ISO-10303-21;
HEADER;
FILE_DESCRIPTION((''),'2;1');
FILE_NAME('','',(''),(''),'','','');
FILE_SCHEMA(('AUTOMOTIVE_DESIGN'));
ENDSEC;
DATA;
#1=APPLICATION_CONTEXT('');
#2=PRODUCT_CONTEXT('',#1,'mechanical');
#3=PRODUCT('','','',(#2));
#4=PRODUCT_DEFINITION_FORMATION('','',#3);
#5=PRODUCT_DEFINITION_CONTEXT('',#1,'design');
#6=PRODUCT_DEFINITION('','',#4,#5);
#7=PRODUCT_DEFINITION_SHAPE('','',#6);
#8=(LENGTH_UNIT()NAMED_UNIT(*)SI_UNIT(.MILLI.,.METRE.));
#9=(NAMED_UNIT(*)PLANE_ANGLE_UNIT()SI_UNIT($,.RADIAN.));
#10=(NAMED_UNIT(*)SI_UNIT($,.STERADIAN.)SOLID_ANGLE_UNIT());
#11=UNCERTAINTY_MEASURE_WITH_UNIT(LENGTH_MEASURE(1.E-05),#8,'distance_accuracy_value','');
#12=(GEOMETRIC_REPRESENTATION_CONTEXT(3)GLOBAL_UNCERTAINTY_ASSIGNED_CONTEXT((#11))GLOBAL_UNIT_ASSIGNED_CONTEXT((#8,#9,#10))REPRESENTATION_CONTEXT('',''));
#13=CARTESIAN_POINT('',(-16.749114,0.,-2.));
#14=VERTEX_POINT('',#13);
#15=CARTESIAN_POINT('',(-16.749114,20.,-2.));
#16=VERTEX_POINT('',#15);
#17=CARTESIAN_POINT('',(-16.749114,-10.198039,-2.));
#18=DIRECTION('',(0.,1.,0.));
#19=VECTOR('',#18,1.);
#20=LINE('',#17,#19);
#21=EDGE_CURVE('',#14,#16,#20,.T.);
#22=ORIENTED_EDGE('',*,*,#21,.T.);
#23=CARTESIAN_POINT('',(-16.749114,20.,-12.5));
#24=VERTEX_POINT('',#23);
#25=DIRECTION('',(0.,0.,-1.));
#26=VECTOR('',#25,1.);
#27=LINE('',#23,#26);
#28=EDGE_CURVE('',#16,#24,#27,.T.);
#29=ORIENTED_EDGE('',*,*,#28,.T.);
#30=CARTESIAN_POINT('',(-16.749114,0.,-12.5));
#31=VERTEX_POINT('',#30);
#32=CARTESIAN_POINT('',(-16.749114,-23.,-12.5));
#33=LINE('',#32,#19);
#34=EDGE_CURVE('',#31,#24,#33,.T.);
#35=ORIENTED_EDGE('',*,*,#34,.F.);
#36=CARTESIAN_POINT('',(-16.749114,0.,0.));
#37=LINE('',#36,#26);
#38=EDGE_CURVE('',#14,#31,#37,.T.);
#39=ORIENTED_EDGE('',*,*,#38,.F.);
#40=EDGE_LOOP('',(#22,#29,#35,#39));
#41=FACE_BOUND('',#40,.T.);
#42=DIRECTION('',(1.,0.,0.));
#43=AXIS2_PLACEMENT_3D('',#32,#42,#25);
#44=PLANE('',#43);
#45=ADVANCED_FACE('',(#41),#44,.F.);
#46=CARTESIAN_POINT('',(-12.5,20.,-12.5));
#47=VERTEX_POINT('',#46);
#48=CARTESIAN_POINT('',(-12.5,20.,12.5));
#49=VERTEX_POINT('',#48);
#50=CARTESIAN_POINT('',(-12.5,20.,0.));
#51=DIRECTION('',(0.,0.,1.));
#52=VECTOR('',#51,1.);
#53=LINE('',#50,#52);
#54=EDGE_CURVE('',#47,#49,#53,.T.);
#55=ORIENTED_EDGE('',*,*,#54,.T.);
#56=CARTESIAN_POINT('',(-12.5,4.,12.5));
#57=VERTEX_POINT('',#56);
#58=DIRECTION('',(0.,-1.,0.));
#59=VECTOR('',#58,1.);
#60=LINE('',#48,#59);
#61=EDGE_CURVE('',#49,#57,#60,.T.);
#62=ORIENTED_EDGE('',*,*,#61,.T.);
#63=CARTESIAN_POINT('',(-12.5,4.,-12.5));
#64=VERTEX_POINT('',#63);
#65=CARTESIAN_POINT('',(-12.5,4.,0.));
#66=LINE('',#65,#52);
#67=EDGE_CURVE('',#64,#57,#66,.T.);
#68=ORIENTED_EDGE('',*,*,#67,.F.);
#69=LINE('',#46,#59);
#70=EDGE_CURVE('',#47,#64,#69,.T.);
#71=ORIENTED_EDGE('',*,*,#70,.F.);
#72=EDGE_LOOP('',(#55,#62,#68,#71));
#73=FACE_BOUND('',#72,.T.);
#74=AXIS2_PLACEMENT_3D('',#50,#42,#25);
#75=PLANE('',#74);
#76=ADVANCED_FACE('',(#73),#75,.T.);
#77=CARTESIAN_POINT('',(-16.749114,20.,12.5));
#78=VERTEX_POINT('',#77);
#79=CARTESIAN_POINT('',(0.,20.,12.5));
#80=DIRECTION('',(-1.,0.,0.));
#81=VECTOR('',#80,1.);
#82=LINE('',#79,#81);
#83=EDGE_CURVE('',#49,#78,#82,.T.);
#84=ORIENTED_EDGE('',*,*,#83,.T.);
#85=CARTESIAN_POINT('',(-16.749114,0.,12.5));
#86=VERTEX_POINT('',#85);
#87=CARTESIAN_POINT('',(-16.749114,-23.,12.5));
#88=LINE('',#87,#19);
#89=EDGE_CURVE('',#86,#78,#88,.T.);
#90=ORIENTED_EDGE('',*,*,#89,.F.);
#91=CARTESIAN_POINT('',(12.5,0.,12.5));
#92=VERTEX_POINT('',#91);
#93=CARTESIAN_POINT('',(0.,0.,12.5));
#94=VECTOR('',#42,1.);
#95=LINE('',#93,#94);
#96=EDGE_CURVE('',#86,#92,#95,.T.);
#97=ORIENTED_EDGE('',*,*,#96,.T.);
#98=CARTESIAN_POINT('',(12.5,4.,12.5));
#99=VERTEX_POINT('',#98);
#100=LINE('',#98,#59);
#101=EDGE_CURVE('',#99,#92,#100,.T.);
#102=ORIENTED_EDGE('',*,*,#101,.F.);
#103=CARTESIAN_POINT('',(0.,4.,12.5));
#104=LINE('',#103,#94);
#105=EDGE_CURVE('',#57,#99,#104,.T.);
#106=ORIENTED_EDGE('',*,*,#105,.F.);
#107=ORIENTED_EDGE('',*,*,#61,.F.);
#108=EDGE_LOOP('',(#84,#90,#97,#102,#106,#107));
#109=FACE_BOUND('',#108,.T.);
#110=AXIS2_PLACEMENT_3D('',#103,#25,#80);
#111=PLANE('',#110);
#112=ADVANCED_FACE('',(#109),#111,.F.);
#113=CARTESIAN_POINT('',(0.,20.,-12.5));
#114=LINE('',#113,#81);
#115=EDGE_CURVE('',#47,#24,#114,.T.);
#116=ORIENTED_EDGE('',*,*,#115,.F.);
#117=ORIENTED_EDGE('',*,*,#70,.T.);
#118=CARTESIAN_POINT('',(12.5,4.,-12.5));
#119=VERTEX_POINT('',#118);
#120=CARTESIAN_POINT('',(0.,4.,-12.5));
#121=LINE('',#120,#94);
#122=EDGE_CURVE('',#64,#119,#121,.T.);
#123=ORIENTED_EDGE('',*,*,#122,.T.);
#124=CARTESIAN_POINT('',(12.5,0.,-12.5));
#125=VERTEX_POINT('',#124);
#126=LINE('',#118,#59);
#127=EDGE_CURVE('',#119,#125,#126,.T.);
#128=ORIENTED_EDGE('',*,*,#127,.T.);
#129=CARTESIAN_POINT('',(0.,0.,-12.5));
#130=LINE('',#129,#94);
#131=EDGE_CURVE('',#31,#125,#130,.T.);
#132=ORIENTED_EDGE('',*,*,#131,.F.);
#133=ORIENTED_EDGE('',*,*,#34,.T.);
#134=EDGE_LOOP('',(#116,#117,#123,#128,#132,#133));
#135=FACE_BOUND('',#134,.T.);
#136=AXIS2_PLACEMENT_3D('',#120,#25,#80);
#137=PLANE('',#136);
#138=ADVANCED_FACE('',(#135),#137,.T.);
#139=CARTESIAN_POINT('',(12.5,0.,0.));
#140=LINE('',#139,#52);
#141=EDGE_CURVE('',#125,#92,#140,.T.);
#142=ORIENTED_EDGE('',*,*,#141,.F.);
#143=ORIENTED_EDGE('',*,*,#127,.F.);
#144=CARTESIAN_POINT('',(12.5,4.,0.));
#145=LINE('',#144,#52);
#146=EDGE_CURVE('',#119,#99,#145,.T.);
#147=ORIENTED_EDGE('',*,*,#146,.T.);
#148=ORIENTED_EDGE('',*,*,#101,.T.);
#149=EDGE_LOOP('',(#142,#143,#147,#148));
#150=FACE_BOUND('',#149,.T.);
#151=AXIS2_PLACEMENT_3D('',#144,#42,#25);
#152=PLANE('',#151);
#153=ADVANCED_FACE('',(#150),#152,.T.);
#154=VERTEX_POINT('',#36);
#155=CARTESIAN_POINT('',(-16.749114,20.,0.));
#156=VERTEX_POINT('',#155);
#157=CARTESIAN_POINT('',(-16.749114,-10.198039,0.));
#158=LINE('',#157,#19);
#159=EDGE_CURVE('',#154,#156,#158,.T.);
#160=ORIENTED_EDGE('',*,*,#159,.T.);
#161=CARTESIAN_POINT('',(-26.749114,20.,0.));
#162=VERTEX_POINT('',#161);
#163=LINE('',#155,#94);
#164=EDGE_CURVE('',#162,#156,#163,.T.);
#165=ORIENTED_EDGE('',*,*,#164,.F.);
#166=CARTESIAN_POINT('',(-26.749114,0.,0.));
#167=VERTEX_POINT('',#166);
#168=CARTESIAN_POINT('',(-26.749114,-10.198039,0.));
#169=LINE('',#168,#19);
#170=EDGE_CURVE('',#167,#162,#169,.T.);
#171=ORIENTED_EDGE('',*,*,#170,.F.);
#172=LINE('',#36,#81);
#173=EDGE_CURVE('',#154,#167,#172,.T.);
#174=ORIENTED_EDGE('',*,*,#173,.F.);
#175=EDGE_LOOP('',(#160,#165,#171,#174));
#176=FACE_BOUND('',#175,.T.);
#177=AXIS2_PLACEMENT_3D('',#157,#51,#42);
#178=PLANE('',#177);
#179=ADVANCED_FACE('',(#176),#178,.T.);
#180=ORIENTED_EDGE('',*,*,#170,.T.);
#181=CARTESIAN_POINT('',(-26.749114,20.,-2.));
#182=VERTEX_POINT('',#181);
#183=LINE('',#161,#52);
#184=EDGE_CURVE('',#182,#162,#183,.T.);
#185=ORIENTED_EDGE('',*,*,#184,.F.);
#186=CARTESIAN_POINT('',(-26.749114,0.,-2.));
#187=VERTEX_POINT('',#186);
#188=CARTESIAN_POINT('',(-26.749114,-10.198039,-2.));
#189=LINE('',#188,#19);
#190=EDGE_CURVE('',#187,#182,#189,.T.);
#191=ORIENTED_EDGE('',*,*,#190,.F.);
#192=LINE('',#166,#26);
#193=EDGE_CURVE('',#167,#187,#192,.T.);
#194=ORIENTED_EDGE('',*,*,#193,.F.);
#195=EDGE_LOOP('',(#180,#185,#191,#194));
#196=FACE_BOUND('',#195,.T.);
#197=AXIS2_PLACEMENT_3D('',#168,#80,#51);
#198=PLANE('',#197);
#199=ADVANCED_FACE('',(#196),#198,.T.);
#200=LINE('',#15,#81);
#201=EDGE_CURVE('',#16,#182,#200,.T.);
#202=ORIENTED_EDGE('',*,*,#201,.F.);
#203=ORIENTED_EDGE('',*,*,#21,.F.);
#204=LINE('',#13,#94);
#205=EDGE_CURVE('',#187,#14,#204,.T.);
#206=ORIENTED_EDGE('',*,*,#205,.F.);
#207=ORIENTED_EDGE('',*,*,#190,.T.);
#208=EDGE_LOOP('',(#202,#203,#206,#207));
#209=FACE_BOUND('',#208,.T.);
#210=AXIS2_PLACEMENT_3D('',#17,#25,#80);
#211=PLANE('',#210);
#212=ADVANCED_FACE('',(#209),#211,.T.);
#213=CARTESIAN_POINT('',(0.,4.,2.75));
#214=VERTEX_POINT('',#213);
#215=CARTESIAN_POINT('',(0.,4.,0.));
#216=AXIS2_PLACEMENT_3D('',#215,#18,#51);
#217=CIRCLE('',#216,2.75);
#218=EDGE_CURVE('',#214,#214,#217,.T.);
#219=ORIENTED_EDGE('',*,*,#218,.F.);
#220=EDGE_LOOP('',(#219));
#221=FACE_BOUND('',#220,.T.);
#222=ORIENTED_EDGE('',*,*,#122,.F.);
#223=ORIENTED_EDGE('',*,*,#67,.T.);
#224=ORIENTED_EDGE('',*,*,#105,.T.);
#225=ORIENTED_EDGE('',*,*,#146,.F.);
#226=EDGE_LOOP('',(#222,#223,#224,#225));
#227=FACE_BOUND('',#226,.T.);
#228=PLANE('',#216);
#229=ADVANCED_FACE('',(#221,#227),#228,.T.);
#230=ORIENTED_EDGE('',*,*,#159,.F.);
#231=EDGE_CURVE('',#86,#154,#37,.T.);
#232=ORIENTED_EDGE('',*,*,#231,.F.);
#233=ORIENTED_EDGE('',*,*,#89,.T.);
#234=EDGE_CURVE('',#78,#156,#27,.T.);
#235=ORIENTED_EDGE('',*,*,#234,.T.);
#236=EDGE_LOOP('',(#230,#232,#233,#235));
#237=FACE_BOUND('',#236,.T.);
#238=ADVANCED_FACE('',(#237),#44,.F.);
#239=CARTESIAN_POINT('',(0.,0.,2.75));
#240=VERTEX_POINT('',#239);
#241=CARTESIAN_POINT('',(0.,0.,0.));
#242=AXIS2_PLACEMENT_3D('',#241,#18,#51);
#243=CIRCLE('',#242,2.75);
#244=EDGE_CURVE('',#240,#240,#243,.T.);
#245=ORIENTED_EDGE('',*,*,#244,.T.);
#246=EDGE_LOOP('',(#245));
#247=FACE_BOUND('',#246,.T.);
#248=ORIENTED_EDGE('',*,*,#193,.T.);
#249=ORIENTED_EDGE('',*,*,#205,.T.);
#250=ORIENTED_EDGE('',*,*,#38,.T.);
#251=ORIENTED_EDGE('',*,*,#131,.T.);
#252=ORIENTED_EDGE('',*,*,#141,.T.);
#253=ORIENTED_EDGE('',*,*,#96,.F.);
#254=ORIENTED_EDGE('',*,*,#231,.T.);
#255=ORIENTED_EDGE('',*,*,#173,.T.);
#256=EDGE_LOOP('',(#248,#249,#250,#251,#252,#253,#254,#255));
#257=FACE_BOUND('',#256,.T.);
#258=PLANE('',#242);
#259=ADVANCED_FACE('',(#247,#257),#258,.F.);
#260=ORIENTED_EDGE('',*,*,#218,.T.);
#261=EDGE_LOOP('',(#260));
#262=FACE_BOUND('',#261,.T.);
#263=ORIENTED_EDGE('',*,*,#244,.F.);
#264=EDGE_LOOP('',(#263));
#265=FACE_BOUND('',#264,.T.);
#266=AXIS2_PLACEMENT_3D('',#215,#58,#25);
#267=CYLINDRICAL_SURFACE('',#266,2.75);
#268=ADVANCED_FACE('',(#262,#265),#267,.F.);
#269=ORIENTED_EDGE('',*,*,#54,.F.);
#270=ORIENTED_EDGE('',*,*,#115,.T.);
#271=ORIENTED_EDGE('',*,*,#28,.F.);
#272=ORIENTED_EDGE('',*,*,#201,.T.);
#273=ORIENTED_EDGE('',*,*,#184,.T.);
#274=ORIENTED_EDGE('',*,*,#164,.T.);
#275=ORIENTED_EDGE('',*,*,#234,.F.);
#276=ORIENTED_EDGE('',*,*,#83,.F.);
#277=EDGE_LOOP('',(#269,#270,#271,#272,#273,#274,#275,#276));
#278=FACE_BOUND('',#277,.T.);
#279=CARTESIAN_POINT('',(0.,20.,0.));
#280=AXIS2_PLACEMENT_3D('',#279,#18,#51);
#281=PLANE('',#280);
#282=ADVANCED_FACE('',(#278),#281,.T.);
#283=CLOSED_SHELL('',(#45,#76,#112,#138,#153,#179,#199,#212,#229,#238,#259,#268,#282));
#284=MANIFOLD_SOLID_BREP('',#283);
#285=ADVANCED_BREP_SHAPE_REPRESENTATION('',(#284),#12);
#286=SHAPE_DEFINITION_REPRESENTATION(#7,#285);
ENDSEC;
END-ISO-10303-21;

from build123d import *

# Parameters (mm, degrees)
SKETCH_1_W          = 25
SKETCH_1_H          = 25
SKETCH_1_R          = 2.75
EXTRUDE_1_DEPTH     = 4
SKETCH_1_3_W        = 15
SKETCH_1_3_H        = 25
EXTRUDE_2_DEPTH     = 20
SKETCH_2_W          = 10.750885586
SKETCH_2_H          = 25
CUT_EXTRUDE_1_DEPTH = 43
SKETCH_3_W          = 10
SKETCH_3_H          = 2
EXTRUDE_4_DEPTH     = 20


with BuildPart() as part:
    # 草图1 → 凸台-拉伸1 (new body)
    with BuildSketch(Plane(origin=(0, 0, 0), x_dir=(1, 0, 0), z_dir=(0, 1, 0))):
        Rectangle(SKETCH_1_W, SKETCH_1_H)
        with Locations(Location((0, 0, 0), (0, 0, 270))):
            Circle(SKETCH_1_R, mode=Mode.SUBTRACT)
    extrude(amount=EXTRUDE_1_DEPTH)

    # 草图1<3> → 凸台-拉伸2 (add)
    with BuildSketch(Plane(origin=(0, 0, 0), x_dir=(1, 0, 0), z_dir=(0, 1, 0))):
        with Locations((-20, 0)):
            Rectangle(SKETCH_1_3_W, SKETCH_1_3_H)
    extrude(amount=EXTRUDE_2_DEPTH)

    # 草图2 → 切除-拉伸1 (cut)
    with BuildSketch(Plane(origin=(0, 20, 0), x_dir=(1, 0, 0), z_dir=(0, 1, 0))):
        with Locations((-22.124557207, 0)):
            Rectangle(SKETCH_2_W, SKETCH_2_H)
    extrude(amount=-CUT_EXTRUDE_1_DEPTH, mode=Mode.SUBTRACT)

    # 草图3 → 凸台-拉伸4 (add)
    with BuildSketch(Plane(origin=(0, 20, 0), x_dir=(1, 0, 0), z_dir=(0, 1, 0))):
        with Locations((-21.749114414, 1)):
            Rectangle(SKETCH_3_W, SKETCH_3_H)
    extrude(amount=-EXTRUDE_4_DEPTH)


solid = part.part
